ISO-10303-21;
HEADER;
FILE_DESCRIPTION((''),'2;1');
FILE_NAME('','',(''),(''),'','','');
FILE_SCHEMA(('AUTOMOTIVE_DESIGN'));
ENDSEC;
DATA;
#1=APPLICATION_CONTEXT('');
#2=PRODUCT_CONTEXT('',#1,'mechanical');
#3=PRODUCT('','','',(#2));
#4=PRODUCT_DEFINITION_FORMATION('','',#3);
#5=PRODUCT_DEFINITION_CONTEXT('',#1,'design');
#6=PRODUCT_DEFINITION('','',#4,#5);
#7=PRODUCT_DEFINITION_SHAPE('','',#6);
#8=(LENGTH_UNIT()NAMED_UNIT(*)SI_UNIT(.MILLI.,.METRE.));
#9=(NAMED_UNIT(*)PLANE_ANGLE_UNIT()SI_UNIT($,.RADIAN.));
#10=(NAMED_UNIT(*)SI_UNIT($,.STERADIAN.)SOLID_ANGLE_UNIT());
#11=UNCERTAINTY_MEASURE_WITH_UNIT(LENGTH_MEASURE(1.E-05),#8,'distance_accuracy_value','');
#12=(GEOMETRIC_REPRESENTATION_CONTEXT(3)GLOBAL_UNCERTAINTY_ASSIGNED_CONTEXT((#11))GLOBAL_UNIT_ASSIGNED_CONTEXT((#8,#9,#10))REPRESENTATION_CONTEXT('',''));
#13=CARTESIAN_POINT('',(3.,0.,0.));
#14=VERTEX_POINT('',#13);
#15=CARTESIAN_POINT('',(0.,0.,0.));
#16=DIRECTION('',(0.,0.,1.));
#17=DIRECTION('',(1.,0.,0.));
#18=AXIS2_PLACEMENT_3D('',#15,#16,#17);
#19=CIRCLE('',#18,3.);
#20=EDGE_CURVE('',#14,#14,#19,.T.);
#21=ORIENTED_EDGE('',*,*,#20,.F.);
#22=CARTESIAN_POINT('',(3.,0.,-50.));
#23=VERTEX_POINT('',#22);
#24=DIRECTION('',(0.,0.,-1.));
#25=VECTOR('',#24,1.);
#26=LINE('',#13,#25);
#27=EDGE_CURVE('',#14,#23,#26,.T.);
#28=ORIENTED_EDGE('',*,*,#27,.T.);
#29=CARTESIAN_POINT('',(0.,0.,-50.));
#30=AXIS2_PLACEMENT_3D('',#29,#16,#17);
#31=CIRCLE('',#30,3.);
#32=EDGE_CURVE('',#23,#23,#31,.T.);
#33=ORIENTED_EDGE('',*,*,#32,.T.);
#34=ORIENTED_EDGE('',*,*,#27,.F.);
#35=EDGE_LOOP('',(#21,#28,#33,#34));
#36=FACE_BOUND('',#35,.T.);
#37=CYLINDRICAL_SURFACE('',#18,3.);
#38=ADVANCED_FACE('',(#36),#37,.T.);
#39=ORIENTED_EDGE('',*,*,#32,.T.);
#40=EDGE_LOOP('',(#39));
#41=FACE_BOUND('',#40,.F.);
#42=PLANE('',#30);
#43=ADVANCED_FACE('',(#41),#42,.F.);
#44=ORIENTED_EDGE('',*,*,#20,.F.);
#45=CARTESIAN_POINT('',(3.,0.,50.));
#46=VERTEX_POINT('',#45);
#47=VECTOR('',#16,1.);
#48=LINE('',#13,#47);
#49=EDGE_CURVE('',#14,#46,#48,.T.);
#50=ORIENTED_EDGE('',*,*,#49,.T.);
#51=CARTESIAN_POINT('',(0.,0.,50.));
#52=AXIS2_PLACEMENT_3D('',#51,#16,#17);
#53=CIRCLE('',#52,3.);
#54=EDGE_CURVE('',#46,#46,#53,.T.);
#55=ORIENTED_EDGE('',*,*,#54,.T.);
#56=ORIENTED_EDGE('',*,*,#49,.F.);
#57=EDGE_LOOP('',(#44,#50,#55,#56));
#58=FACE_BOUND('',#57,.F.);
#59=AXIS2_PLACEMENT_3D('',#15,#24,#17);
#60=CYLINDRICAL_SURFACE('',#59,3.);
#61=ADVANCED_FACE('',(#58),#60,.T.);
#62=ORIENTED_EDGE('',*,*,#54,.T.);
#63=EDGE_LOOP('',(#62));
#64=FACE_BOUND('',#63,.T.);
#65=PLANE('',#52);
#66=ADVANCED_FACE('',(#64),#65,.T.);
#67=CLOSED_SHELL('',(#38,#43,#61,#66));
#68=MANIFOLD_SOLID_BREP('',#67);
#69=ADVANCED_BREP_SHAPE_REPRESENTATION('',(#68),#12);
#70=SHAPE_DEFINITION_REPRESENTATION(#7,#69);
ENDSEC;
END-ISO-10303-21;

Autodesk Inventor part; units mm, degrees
ref_plane "YZ Plane" through (0, 0, 0) normal (1, 0, 0) x (0, 1, 0)
ref_plane "XZ Plane" through (0, 0, 0) normal (0, 1, 0) x (-1, 0, 0)
ref_plane "XY Plane" through (0, 0, 0) normal (0, 0, 1) x (1, 0, 0)
sketch "Sketch1" plane through (0, 0, 0) normal (0, 0, 1) x (1, 0, 0)
  circle A0 centre (0, 0) radius 3
  dimension "d0" = 6
extrude "Extrusion1" add sketch "Sketch1" along normal mid plane 100
properties part number "Beam"
